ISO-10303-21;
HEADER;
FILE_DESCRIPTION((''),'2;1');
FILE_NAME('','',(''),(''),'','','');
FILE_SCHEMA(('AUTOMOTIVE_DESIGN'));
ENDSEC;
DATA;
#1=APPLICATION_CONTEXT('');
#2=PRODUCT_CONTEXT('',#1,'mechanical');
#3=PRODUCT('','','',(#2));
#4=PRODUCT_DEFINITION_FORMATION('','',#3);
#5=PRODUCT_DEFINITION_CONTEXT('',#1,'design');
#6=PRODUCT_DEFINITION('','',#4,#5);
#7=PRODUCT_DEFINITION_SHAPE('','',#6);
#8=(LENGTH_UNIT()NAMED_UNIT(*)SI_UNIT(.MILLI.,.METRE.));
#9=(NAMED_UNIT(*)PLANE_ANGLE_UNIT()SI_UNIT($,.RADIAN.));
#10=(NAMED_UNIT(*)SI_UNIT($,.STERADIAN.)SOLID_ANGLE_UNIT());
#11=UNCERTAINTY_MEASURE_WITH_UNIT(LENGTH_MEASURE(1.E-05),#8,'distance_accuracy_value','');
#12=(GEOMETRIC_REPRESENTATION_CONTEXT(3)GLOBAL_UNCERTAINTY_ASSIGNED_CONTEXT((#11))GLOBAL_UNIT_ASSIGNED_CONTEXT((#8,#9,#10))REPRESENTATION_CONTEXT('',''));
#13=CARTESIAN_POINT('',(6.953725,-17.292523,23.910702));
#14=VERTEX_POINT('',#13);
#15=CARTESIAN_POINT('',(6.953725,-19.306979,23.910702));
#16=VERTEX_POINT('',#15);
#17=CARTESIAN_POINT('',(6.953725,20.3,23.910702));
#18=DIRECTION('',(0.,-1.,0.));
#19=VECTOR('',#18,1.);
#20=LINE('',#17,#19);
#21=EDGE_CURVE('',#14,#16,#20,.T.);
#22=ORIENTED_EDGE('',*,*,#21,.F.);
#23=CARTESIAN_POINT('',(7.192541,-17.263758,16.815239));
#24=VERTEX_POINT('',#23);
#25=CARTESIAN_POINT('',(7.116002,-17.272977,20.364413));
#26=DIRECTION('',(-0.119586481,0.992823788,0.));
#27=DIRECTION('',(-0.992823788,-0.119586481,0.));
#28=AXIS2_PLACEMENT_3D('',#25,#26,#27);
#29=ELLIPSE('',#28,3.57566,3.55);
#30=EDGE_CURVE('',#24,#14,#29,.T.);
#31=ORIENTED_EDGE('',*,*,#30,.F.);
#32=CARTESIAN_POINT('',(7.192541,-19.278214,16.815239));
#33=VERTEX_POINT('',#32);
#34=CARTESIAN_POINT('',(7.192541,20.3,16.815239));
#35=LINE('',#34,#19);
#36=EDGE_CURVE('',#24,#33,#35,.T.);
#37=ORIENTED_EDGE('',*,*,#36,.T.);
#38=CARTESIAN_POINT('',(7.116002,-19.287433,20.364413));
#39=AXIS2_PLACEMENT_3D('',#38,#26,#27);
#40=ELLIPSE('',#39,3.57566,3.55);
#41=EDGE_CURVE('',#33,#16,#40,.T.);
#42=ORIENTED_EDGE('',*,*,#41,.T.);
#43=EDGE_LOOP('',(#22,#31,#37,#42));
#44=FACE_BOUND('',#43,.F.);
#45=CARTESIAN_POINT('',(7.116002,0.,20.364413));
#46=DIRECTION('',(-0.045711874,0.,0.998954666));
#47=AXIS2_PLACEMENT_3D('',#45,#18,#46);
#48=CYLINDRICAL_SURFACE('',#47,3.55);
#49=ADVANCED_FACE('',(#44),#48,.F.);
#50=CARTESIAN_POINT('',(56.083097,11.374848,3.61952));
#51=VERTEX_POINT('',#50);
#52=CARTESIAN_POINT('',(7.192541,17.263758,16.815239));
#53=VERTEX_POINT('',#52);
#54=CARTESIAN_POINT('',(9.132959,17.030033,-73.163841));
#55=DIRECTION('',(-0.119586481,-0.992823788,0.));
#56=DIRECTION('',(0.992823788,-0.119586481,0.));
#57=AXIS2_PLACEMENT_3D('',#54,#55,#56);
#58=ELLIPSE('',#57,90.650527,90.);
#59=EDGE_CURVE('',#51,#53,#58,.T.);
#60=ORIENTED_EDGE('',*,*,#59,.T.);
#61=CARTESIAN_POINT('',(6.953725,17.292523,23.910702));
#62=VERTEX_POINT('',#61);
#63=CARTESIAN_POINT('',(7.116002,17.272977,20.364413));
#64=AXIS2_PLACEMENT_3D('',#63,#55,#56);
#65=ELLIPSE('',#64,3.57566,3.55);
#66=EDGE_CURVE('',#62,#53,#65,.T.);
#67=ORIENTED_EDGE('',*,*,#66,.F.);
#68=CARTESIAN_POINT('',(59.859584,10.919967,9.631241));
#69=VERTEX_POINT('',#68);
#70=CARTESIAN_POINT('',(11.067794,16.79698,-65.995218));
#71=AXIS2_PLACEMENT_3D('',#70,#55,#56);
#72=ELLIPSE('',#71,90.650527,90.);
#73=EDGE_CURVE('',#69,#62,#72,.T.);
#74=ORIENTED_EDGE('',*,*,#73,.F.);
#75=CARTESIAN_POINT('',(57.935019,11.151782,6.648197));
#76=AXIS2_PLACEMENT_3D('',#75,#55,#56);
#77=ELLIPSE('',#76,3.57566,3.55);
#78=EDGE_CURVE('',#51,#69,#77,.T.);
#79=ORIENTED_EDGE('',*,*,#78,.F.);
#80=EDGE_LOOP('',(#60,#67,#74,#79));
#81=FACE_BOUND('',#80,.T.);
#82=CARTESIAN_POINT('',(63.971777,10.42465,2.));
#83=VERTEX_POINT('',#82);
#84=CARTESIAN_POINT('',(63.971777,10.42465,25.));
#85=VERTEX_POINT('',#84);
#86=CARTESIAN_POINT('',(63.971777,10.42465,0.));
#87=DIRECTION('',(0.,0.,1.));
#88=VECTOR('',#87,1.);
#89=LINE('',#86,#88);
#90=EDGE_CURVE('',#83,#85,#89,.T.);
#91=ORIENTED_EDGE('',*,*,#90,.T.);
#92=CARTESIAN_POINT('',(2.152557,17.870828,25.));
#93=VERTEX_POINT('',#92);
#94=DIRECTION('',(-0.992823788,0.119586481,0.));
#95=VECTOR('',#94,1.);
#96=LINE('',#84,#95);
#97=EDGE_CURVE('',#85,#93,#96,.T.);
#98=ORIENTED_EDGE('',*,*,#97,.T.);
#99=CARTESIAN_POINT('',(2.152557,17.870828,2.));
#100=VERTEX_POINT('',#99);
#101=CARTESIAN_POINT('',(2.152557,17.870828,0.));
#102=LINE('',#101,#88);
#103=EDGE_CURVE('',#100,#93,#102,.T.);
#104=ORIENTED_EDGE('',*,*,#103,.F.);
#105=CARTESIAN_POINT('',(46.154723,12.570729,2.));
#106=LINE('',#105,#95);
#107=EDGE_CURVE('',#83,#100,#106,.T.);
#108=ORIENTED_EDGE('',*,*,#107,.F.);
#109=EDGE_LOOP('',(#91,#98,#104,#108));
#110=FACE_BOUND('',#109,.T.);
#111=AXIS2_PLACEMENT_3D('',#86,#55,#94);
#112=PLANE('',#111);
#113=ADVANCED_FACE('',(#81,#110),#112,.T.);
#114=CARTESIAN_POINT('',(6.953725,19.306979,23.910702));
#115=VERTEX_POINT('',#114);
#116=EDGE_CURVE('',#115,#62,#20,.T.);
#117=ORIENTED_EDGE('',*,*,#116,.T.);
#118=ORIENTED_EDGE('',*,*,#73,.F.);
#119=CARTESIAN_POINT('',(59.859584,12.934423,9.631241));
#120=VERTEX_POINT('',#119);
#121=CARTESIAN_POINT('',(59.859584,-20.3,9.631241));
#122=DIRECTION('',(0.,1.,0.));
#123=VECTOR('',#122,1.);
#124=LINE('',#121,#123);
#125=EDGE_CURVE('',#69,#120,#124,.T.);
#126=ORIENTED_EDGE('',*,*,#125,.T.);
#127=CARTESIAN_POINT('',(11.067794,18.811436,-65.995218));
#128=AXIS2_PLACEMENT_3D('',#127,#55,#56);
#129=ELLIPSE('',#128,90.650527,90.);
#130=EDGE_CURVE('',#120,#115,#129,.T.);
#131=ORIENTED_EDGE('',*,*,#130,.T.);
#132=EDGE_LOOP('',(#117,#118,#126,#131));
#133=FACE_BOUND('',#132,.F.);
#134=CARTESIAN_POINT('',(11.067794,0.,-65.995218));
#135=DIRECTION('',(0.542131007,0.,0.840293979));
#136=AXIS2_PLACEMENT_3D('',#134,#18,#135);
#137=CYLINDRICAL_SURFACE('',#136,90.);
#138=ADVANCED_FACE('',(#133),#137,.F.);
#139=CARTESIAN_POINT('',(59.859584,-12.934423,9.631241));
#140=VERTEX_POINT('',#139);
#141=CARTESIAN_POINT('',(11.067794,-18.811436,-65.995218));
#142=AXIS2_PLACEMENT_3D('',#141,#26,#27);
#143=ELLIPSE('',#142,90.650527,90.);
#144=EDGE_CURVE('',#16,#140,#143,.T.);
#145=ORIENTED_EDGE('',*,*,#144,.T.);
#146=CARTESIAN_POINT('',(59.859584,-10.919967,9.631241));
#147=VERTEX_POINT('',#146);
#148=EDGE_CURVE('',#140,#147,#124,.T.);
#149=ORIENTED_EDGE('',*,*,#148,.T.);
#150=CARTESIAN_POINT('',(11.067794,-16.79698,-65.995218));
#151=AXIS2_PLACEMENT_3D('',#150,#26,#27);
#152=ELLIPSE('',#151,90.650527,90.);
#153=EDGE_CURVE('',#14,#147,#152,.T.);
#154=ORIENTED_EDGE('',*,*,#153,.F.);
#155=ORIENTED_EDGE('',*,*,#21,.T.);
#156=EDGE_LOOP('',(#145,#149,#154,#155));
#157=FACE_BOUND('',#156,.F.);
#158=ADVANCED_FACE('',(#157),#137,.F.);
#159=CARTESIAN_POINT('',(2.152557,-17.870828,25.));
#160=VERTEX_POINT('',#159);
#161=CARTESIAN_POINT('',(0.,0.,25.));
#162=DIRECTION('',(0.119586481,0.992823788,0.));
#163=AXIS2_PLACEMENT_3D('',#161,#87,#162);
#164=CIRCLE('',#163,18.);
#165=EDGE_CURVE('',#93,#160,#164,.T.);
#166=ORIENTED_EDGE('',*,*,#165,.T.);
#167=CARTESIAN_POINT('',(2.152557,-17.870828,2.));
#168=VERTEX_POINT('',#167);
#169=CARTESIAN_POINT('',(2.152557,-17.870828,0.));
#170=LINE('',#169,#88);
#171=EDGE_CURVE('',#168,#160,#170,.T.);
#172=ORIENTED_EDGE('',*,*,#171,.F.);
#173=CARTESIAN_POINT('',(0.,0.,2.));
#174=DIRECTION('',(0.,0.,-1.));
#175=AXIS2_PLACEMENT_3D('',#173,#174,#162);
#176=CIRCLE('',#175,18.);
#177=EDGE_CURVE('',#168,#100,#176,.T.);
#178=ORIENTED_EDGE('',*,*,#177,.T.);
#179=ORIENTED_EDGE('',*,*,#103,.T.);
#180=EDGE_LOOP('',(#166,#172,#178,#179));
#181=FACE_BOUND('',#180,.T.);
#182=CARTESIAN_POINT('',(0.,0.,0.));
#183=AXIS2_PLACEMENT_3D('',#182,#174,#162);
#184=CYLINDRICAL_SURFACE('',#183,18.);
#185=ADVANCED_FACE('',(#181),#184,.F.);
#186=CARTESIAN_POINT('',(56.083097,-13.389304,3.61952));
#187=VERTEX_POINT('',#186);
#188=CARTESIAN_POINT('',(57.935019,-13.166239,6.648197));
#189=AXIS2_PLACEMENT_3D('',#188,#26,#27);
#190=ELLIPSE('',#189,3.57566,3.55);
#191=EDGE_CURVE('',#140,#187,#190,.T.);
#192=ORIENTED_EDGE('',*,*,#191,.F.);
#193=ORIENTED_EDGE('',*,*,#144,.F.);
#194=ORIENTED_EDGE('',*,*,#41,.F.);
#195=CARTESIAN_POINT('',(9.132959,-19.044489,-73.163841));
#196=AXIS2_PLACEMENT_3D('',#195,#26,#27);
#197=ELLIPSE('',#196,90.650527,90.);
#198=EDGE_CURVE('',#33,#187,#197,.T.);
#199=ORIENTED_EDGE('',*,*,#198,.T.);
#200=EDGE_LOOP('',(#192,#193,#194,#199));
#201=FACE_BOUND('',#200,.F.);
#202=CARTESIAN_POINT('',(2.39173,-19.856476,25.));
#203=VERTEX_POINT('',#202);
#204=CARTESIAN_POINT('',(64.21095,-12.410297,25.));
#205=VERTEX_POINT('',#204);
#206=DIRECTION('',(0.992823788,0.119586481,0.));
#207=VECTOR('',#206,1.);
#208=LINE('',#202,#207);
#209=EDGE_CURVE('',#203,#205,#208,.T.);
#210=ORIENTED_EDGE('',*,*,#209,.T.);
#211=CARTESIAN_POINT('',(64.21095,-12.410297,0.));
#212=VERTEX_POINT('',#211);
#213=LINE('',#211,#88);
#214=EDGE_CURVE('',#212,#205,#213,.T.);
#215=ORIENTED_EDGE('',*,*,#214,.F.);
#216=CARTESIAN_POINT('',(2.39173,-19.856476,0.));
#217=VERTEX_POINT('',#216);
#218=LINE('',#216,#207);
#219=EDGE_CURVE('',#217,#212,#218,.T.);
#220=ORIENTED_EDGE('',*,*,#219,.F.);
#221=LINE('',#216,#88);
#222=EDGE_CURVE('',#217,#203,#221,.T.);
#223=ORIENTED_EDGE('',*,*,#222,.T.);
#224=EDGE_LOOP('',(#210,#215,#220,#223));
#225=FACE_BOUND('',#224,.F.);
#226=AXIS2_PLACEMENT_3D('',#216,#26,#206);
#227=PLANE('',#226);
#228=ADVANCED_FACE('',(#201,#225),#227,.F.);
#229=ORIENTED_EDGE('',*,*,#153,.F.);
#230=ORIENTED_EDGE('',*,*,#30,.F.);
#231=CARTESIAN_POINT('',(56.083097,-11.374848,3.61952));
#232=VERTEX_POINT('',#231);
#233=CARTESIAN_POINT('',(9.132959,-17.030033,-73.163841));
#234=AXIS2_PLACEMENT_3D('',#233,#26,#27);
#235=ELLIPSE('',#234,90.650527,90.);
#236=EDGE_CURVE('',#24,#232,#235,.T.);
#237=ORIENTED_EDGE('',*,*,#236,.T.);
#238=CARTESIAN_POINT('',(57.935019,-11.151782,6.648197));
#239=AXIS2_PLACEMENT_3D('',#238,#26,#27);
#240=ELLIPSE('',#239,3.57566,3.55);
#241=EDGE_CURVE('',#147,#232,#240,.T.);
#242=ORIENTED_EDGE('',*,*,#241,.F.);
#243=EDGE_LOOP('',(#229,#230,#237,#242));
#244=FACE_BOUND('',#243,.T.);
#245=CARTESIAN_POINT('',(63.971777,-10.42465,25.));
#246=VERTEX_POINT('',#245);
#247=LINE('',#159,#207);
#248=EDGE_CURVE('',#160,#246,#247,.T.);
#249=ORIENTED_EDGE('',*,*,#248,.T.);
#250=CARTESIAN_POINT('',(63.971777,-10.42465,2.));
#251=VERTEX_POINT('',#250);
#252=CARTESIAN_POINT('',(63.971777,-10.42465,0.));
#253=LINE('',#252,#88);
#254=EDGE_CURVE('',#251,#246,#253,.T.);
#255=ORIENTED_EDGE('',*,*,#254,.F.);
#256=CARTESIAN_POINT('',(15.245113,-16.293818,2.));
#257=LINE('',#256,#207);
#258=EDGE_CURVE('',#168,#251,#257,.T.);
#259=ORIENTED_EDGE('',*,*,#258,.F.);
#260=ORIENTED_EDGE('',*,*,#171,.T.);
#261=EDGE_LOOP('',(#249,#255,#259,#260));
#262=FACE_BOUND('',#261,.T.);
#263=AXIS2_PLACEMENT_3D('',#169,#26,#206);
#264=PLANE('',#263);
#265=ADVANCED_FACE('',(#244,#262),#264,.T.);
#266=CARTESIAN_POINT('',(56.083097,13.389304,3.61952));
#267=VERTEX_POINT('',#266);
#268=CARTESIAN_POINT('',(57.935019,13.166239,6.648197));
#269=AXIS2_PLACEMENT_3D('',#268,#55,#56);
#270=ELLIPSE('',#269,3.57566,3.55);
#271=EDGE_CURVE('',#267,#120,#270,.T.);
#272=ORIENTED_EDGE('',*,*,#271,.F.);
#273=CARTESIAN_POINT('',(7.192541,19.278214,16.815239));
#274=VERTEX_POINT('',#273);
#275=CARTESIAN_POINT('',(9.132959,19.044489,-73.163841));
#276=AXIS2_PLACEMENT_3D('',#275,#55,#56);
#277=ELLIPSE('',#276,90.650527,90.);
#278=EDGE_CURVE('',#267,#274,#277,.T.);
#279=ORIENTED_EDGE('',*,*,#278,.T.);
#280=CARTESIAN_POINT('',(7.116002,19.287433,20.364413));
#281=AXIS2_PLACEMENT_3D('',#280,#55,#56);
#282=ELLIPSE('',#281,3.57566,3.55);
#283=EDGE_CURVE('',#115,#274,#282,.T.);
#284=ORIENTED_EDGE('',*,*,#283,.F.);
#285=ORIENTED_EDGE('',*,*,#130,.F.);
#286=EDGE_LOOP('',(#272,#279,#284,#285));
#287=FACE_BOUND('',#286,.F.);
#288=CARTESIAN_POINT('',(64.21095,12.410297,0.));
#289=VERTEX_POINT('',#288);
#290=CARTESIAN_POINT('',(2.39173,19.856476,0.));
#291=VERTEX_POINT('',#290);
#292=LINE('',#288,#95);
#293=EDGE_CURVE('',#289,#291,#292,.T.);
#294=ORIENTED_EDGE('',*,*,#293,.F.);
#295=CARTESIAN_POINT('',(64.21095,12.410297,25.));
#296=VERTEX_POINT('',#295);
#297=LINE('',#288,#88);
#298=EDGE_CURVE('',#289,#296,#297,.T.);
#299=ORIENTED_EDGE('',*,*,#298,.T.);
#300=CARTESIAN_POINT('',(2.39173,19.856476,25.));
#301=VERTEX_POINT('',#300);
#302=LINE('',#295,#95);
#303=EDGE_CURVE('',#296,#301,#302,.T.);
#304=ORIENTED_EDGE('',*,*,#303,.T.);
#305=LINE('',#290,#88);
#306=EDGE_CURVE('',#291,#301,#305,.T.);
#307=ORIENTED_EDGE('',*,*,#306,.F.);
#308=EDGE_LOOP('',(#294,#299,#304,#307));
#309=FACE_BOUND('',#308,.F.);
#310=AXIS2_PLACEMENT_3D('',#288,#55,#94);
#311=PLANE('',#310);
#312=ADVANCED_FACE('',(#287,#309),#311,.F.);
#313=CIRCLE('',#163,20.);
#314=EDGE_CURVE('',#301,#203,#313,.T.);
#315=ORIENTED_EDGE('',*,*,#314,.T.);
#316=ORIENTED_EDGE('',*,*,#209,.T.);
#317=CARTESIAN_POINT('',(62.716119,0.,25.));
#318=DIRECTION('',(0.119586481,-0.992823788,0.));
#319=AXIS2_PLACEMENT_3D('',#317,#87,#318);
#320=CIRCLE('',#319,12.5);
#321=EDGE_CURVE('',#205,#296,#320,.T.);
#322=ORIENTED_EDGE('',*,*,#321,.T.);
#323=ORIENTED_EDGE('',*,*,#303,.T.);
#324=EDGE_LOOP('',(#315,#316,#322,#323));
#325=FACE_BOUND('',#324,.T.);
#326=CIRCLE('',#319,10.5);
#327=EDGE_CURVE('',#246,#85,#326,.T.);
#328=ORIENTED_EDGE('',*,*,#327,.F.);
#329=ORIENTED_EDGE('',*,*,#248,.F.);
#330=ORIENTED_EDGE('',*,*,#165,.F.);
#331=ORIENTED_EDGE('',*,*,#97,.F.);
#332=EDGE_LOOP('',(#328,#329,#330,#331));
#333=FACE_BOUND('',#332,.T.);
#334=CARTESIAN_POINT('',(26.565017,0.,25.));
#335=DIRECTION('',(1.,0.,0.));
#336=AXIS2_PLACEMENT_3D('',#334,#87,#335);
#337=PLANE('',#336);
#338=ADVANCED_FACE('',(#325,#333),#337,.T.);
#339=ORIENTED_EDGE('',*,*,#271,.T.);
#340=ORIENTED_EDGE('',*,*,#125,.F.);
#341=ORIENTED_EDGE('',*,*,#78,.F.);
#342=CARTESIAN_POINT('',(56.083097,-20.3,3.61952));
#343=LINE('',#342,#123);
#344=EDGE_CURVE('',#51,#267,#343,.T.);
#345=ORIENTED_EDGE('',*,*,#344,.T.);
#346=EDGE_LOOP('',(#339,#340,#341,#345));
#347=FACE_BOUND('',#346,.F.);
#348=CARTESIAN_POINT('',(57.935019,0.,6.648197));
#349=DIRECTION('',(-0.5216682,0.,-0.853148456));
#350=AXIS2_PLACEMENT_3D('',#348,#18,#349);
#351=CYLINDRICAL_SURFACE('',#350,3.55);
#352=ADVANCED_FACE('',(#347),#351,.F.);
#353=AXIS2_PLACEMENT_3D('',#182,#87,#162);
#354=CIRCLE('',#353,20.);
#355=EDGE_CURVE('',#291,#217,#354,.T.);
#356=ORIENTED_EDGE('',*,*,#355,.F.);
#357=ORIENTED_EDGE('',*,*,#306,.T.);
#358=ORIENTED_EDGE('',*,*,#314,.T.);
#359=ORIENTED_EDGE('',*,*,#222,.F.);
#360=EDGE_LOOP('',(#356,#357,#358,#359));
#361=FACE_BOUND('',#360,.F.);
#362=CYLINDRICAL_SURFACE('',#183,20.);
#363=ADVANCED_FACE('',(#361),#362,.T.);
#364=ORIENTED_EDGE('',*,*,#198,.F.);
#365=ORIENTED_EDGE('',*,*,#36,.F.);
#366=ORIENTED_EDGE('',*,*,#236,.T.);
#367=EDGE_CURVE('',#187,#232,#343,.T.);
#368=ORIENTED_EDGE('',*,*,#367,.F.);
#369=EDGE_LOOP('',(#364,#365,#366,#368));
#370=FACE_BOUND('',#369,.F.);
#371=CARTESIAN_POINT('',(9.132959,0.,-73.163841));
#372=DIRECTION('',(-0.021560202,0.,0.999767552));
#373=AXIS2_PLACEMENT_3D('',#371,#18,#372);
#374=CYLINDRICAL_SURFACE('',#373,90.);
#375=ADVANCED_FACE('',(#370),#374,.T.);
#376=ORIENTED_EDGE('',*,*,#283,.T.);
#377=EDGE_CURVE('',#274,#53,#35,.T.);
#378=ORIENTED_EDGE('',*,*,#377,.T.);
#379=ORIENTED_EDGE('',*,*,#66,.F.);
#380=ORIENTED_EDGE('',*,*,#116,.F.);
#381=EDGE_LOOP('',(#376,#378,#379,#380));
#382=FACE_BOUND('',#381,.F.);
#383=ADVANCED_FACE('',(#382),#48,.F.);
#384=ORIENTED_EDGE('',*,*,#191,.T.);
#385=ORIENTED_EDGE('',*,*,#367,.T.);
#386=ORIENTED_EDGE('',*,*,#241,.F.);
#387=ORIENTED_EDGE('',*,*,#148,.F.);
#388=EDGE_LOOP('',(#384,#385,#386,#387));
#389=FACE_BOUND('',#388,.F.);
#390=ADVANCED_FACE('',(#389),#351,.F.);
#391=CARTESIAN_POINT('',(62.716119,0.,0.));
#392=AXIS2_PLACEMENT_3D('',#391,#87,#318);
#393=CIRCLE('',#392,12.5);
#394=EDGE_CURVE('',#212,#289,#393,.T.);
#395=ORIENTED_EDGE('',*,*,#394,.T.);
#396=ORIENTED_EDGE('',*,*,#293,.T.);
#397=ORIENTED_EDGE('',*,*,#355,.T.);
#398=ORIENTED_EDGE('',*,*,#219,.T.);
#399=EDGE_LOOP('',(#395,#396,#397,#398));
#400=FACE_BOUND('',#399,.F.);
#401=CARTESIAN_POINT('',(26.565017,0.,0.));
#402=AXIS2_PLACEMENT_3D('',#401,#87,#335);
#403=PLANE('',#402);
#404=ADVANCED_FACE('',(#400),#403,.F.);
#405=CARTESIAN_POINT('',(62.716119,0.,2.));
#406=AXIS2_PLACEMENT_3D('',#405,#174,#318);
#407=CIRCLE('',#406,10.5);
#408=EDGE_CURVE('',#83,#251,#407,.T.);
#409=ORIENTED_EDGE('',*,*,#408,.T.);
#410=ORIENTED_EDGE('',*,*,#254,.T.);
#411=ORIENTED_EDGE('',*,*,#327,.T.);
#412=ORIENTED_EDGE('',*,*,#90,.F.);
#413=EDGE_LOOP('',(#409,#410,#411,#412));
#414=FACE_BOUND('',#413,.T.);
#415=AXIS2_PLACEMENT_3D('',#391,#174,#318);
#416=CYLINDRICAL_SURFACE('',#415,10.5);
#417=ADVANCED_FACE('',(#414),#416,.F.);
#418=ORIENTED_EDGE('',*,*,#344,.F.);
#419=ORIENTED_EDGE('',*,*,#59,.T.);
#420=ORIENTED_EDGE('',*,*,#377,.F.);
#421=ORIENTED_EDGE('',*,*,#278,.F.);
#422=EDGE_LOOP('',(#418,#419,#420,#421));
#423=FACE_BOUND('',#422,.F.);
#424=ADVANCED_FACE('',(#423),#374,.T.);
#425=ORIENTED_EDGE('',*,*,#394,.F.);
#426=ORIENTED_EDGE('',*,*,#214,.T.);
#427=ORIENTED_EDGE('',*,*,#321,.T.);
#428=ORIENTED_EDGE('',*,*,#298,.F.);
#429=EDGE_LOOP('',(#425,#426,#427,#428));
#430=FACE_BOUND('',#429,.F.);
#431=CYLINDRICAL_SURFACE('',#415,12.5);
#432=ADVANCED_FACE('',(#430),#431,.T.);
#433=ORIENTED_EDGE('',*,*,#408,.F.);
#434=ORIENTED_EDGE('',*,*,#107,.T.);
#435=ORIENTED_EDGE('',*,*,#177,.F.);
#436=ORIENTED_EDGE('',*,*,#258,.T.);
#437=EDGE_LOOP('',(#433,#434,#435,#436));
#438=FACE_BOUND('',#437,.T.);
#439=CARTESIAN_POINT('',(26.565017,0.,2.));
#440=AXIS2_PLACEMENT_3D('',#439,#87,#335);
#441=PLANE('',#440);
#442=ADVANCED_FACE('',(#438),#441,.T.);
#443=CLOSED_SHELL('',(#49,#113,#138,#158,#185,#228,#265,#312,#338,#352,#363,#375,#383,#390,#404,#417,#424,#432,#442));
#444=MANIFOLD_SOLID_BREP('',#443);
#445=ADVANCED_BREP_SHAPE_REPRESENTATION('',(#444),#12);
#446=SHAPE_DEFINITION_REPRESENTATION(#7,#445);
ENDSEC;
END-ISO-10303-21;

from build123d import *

# Parameters (mm, degrees)
F1_DEPTH = 25
F2_T     = -2
F4_DEPTH = 20.3


with BuildPart() as f1:
    # F0 (on Top) → F1 (new body)
    with BuildSketch(Plane.XY):
        with BuildLine():
            Line((64.2109500094, 12.4102973465), (2.3917296289, 19.8564757543))
            ThreePointArc((2.3917296289, 19.8564757543), (-20, 0), (2.3917296289, -19.8564757543))
            Line((2.3917296289, -19.8564757543), (64.2109500094, -12.4102973465))
            ThreePointArc((64.2109500094, -12.4102973465), (75.2161189914, 0), (64.2109500094, 12.4102973465))
        make_face()
    extrude(amount=F1_DEPTH)

    # F2
    f2_openings = [f1.faces().sort_by_distance(p)[0] for p in [
        (24.189424, 0, 25),
    ]]
    offset(amount=F2_T, openings=f2_openings)

    # F3 (on Front) → F4 (cut, symmetric)
    with BuildSketch(Plane.XZ):
        with BuildLine():
            ThreePointArc((59.8595843924, 9.6312405885), (34.5198825437, 20.8955157603), (6.9537251321, 23.9107024015))
            ThreePointArc((6.9537251321, 23.9107024015), (3.5680113506, 20.244996686), (7.1925410007, 16.8152385285))
            ThreePointArc((7.1925410007, 16.8152385285), (32.5850479445, 13.7268921567), (56.0830972065, 3.6195199423))
            ThreePointArc((56.0830972065, 3.6195199423), (60.9410990793, 4.7598155213), (59.8595843924, 9.6312405885))
        make_face()
    extrude(amount=F4_DEPTH, both=True, mode=Mode.SUBTRACT)


solid = f1.part
